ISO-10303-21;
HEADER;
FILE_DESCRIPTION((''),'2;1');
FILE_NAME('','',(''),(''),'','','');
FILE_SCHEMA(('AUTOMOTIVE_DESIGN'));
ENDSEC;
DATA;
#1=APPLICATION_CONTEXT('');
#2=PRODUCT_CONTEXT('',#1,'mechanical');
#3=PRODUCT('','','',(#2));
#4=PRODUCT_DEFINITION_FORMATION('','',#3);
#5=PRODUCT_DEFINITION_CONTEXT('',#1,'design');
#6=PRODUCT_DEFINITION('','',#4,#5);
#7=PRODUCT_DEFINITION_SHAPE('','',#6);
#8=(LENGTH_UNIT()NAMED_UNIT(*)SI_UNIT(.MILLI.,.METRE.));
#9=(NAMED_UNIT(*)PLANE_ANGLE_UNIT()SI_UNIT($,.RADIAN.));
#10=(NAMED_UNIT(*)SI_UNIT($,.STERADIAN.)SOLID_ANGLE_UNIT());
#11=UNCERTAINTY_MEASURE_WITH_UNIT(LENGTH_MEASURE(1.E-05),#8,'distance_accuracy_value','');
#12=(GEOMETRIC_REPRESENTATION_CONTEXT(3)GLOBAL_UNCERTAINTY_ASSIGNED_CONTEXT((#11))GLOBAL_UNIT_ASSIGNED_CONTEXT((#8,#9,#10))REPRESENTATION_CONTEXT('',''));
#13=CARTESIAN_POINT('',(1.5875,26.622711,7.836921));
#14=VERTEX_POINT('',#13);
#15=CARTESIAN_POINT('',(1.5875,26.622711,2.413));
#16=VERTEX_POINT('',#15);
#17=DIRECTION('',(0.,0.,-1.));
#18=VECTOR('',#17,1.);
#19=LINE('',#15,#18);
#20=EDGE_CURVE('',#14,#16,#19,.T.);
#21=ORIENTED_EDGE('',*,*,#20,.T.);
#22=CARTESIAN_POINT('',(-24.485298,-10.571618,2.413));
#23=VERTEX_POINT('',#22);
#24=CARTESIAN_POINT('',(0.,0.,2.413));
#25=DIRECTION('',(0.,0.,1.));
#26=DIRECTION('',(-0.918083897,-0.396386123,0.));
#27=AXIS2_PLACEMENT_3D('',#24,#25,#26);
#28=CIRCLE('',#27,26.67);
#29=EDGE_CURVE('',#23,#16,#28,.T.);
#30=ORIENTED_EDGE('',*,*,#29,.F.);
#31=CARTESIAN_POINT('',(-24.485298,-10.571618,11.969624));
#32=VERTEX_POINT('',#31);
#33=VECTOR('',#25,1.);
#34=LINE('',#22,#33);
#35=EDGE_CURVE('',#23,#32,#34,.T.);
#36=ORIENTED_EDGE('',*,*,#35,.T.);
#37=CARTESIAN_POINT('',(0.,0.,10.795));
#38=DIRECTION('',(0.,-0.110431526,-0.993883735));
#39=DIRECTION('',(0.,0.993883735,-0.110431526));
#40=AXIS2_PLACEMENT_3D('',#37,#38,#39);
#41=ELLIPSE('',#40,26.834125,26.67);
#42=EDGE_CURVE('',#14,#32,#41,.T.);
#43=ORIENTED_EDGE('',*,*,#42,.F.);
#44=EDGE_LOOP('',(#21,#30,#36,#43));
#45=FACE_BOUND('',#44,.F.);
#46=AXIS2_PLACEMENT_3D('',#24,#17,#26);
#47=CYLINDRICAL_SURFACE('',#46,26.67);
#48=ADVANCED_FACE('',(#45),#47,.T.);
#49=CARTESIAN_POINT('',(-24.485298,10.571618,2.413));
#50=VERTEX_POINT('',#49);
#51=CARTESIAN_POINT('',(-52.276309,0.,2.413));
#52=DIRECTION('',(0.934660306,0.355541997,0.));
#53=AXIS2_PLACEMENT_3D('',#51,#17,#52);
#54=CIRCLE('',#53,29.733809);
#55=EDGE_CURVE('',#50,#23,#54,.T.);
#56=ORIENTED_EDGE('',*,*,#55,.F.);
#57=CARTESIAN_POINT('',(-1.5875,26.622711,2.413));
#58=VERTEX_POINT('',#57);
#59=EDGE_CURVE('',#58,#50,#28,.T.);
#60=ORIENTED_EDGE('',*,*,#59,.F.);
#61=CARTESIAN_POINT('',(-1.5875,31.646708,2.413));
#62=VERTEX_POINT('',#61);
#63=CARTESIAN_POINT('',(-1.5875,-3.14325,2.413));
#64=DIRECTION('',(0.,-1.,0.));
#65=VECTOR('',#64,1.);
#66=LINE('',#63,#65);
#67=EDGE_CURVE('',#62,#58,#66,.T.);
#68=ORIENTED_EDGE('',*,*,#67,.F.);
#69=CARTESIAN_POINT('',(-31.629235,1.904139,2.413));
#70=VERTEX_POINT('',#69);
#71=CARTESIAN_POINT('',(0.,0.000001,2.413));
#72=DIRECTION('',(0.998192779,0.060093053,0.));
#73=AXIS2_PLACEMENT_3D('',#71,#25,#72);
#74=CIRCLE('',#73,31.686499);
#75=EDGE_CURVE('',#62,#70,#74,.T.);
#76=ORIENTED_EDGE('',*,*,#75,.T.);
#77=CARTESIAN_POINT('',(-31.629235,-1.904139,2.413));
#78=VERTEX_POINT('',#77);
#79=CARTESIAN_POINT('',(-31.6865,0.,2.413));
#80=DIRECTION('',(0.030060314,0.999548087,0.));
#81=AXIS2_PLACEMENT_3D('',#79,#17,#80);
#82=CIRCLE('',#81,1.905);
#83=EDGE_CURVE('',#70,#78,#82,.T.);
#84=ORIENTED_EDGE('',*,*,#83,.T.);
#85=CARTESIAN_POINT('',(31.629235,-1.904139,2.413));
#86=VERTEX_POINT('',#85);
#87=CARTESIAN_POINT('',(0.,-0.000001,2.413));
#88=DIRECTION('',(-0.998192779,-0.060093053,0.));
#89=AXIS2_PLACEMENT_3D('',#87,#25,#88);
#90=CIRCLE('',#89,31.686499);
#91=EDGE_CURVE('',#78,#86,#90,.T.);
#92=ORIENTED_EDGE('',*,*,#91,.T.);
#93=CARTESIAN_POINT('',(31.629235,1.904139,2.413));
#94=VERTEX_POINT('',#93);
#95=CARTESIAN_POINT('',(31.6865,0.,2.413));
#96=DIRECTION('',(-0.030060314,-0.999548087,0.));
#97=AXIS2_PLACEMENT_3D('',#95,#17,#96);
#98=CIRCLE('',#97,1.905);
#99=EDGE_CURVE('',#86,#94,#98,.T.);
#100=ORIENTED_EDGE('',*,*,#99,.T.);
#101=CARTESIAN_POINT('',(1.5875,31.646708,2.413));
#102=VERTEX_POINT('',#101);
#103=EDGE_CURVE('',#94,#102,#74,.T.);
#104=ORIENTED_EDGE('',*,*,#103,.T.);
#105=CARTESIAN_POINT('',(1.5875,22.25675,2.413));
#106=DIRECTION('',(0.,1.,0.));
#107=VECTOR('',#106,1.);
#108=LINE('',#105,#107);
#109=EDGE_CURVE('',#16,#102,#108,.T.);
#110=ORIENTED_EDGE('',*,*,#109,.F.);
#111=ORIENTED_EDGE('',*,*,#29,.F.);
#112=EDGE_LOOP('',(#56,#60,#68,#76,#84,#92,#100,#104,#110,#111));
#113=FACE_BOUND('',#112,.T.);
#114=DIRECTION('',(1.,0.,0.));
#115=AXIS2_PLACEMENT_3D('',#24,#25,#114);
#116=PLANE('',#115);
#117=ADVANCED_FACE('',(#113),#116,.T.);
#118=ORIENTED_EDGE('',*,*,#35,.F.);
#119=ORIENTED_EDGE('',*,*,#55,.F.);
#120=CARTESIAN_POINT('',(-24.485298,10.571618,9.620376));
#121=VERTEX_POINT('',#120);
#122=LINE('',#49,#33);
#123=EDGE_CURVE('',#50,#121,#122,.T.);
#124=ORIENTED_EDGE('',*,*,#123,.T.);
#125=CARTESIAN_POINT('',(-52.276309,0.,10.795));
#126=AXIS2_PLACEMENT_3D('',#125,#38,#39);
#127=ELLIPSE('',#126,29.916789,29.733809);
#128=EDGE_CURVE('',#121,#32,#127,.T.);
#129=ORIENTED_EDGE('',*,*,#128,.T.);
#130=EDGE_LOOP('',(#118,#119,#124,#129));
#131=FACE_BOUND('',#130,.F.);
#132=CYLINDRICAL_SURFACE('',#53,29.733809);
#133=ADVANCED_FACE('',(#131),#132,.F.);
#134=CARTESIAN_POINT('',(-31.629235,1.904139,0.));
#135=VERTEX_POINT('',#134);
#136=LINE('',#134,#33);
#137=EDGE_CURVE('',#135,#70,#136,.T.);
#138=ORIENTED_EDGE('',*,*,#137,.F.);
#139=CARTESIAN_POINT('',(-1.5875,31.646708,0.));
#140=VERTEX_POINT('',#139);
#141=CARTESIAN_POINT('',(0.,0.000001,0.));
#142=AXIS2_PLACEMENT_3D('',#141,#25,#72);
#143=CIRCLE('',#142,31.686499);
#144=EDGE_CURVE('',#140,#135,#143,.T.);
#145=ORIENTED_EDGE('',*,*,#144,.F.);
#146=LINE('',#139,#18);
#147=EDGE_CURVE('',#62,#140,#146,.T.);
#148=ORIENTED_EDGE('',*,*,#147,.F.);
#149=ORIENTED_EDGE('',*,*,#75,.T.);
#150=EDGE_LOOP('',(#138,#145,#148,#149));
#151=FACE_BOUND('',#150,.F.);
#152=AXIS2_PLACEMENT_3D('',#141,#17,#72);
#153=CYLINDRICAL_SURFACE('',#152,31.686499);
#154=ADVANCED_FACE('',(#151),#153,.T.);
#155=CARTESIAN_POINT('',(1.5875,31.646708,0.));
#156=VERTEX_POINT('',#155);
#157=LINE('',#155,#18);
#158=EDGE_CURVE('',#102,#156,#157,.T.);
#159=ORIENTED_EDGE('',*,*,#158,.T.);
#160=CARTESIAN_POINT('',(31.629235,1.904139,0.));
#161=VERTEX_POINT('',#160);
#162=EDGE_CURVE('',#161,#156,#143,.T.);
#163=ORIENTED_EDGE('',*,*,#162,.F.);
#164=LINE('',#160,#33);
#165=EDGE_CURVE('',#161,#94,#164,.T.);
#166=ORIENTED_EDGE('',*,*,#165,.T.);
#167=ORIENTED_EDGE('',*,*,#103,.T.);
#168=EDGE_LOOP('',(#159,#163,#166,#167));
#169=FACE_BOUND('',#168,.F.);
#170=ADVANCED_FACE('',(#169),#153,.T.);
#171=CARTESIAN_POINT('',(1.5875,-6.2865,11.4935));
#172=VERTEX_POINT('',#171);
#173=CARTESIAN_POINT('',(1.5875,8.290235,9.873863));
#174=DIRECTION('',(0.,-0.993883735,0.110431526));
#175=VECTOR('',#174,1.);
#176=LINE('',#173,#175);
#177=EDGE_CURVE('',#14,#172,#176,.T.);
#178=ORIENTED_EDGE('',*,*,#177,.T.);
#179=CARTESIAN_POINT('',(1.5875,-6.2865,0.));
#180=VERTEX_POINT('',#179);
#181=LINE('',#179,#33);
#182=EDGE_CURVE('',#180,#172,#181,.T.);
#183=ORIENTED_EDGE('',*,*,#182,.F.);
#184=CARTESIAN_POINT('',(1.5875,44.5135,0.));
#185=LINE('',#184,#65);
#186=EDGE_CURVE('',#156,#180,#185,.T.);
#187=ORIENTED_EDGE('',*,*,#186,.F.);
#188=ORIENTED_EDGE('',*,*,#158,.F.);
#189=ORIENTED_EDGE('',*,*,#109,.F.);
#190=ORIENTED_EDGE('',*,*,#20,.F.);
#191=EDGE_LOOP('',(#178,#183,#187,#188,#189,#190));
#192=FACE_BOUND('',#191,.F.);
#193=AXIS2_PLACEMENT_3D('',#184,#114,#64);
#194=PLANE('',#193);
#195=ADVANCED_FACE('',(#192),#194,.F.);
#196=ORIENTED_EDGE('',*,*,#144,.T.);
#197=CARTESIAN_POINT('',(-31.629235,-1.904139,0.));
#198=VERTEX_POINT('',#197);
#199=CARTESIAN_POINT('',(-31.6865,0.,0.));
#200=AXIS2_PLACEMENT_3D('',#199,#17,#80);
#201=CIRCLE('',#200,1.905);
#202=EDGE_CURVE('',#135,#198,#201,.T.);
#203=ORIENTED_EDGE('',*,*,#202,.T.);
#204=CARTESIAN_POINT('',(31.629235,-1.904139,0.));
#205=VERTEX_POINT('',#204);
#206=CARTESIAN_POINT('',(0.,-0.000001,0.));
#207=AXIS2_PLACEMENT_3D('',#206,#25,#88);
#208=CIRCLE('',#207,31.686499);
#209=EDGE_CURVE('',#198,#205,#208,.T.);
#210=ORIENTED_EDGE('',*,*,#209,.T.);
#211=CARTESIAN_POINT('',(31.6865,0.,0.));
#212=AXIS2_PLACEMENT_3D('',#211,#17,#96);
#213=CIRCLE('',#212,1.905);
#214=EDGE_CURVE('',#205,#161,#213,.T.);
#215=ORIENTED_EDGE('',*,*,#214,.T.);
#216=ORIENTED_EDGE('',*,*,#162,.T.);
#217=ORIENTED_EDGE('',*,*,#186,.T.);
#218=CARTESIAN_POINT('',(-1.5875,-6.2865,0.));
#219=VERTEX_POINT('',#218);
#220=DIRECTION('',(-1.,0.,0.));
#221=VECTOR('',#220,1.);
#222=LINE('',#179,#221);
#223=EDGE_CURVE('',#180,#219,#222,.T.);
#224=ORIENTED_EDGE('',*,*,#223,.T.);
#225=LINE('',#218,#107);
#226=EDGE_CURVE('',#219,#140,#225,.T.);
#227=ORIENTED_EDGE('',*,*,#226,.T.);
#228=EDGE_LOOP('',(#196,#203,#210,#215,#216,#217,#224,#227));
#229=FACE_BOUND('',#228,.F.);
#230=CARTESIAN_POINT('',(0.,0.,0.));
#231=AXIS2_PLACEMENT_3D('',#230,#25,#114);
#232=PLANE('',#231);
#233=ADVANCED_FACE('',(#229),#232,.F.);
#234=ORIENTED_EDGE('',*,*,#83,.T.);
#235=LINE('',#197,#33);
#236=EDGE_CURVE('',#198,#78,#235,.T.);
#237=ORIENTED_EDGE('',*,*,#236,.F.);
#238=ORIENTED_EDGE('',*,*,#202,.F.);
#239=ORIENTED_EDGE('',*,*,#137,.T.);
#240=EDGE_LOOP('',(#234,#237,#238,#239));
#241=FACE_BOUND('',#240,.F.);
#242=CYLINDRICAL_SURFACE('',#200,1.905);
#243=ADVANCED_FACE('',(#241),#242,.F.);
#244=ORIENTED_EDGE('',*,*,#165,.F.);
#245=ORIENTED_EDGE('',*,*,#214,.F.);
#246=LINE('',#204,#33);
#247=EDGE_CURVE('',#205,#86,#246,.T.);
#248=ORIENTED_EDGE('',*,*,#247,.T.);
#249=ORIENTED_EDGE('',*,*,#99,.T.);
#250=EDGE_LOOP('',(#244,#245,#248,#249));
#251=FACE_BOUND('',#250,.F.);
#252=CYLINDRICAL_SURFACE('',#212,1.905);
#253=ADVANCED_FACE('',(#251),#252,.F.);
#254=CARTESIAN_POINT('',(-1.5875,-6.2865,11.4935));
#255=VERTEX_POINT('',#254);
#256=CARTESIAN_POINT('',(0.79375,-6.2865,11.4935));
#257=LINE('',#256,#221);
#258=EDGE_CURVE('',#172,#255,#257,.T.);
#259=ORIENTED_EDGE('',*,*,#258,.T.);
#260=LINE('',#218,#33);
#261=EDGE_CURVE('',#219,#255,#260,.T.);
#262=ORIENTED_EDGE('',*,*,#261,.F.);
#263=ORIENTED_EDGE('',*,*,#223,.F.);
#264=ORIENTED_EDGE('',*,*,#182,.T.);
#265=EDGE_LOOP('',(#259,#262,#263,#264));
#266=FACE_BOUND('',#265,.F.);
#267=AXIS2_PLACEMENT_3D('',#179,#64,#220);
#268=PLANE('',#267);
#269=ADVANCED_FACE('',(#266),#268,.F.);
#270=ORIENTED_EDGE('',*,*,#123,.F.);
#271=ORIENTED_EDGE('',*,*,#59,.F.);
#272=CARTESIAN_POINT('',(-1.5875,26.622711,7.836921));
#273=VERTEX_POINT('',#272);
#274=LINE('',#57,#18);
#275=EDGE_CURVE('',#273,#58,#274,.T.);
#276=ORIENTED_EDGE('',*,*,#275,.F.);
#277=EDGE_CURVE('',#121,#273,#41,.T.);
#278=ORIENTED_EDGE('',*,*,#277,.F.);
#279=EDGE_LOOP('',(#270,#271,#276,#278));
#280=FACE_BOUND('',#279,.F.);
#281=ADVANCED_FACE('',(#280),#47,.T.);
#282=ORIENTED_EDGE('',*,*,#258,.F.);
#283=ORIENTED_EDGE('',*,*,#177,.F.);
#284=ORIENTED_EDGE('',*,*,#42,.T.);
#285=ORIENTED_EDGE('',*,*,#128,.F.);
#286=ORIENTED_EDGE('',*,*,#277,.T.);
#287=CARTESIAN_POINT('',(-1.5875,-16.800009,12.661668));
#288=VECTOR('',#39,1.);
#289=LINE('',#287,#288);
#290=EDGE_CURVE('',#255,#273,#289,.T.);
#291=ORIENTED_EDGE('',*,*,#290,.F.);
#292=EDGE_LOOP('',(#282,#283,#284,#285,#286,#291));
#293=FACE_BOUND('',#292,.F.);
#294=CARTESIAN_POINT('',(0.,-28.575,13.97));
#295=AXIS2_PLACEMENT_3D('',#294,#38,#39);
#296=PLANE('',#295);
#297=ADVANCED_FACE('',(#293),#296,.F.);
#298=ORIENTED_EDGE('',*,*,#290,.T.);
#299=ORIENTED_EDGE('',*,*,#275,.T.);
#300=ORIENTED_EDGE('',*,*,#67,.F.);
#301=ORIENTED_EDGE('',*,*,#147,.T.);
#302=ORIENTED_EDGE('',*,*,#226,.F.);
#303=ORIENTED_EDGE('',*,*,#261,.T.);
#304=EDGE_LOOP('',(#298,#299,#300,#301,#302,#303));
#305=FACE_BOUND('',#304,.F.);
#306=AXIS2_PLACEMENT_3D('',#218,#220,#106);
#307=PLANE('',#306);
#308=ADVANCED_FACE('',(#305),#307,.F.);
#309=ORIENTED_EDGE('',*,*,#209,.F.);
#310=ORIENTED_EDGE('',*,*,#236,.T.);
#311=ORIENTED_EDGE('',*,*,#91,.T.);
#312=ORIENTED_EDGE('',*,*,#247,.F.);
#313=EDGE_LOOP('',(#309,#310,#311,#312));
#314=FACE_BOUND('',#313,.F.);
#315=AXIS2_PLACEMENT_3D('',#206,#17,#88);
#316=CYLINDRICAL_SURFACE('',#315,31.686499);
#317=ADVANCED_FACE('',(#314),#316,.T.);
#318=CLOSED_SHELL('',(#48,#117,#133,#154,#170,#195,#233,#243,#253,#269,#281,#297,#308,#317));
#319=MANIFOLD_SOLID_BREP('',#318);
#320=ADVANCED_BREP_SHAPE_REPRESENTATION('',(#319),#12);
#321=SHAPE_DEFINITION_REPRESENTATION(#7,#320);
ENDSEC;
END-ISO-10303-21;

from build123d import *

# Parameters (mm, degrees)
F1_DEPTH = 2.413
F3_DEPTH = 25.4
F5_DEPTH = 31.75
F7_DEPTH = 25.4


with BuildPart() as f1:
    # F0 (on Top) → F1 (new body)
    with BuildSketch(Plane.XY):
        with BuildLine():
            ThreePointArc((31.629235, -1.904139), (29.7815, 0), (31.629235, 1.904139))
            ThreePointArc((31.629235, 1.904139), (0, 31.6865), (-31.629235, 1.904139))
            ThreePointArc((-31.629235, 1.904139), (-29.7815, 0), (-31.629235, -1.904139))
            ThreePointArc((-31.629235, -1.904139), (0, -31.6865), (31.629235, -1.904139))
        make_face()
    extrude(amount=F1_DEPTH)

    # F2 (on face) → F3 (join)
    with BuildSketch(Plane.XY.offset(2.413)):
        with BuildLine():
            ThreePointArc((-24.485298, 10.571618), (-22.5425, 0), (-24.485298, -10.571618))
            ThreePointArc((-24.485298, -10.571618), (26.67, 0), (-24.485298, 10.571618))
        make_face()
    extrude(amount=F3_DEPTH)

    # F4 (on Right) → F5 (cut, symmetric)
    with BuildSketch(Plane.YZ):
        Polygon((-28.575, 36.80041), (-28.575, 13.97), (28.575, 7.62), (28.575, 36.80041), align=None)
    extrude(amount=F5_DEPTH, both=True, mode=Mode.SUBTRACT)

    # F6 (on face) → F7 (cut)
    with BuildSketch(Plane(origin=(0, 0, 0), x_dir=(1, 0, 0), z_dir=(0, 0, -1))):
        with BuildLine():
            Line((-1.5875, 6.2865), (-1.5875, -31.646708))
            ThreePointArc((-1.5875, -31.646708), (0, -31.6865), (1.5875, -31.646708))
            Line((1.5875, -31.646708), (1.5875, 6.2865))
            Line((1.5875, 6.2865), (-1.5875, 6.2865))
        make_face()
        with BuildLine():
            Line((-1.5875, -31.646708), (-1.5875, -44.5135))
            Line((-1.5875, -44.5135), (1.5875, -44.5135))
            Line((1.5875, -44.5135), (1.5875, -31.646708))
            ThreePointArc((1.5875, -31.646708), (0, -31.6865), (-1.5875, -31.646708))
        make_face()
    extrude(amount=-F7_DEPTH, mode=Mode.SUBTRACT)


solid = f1.part
